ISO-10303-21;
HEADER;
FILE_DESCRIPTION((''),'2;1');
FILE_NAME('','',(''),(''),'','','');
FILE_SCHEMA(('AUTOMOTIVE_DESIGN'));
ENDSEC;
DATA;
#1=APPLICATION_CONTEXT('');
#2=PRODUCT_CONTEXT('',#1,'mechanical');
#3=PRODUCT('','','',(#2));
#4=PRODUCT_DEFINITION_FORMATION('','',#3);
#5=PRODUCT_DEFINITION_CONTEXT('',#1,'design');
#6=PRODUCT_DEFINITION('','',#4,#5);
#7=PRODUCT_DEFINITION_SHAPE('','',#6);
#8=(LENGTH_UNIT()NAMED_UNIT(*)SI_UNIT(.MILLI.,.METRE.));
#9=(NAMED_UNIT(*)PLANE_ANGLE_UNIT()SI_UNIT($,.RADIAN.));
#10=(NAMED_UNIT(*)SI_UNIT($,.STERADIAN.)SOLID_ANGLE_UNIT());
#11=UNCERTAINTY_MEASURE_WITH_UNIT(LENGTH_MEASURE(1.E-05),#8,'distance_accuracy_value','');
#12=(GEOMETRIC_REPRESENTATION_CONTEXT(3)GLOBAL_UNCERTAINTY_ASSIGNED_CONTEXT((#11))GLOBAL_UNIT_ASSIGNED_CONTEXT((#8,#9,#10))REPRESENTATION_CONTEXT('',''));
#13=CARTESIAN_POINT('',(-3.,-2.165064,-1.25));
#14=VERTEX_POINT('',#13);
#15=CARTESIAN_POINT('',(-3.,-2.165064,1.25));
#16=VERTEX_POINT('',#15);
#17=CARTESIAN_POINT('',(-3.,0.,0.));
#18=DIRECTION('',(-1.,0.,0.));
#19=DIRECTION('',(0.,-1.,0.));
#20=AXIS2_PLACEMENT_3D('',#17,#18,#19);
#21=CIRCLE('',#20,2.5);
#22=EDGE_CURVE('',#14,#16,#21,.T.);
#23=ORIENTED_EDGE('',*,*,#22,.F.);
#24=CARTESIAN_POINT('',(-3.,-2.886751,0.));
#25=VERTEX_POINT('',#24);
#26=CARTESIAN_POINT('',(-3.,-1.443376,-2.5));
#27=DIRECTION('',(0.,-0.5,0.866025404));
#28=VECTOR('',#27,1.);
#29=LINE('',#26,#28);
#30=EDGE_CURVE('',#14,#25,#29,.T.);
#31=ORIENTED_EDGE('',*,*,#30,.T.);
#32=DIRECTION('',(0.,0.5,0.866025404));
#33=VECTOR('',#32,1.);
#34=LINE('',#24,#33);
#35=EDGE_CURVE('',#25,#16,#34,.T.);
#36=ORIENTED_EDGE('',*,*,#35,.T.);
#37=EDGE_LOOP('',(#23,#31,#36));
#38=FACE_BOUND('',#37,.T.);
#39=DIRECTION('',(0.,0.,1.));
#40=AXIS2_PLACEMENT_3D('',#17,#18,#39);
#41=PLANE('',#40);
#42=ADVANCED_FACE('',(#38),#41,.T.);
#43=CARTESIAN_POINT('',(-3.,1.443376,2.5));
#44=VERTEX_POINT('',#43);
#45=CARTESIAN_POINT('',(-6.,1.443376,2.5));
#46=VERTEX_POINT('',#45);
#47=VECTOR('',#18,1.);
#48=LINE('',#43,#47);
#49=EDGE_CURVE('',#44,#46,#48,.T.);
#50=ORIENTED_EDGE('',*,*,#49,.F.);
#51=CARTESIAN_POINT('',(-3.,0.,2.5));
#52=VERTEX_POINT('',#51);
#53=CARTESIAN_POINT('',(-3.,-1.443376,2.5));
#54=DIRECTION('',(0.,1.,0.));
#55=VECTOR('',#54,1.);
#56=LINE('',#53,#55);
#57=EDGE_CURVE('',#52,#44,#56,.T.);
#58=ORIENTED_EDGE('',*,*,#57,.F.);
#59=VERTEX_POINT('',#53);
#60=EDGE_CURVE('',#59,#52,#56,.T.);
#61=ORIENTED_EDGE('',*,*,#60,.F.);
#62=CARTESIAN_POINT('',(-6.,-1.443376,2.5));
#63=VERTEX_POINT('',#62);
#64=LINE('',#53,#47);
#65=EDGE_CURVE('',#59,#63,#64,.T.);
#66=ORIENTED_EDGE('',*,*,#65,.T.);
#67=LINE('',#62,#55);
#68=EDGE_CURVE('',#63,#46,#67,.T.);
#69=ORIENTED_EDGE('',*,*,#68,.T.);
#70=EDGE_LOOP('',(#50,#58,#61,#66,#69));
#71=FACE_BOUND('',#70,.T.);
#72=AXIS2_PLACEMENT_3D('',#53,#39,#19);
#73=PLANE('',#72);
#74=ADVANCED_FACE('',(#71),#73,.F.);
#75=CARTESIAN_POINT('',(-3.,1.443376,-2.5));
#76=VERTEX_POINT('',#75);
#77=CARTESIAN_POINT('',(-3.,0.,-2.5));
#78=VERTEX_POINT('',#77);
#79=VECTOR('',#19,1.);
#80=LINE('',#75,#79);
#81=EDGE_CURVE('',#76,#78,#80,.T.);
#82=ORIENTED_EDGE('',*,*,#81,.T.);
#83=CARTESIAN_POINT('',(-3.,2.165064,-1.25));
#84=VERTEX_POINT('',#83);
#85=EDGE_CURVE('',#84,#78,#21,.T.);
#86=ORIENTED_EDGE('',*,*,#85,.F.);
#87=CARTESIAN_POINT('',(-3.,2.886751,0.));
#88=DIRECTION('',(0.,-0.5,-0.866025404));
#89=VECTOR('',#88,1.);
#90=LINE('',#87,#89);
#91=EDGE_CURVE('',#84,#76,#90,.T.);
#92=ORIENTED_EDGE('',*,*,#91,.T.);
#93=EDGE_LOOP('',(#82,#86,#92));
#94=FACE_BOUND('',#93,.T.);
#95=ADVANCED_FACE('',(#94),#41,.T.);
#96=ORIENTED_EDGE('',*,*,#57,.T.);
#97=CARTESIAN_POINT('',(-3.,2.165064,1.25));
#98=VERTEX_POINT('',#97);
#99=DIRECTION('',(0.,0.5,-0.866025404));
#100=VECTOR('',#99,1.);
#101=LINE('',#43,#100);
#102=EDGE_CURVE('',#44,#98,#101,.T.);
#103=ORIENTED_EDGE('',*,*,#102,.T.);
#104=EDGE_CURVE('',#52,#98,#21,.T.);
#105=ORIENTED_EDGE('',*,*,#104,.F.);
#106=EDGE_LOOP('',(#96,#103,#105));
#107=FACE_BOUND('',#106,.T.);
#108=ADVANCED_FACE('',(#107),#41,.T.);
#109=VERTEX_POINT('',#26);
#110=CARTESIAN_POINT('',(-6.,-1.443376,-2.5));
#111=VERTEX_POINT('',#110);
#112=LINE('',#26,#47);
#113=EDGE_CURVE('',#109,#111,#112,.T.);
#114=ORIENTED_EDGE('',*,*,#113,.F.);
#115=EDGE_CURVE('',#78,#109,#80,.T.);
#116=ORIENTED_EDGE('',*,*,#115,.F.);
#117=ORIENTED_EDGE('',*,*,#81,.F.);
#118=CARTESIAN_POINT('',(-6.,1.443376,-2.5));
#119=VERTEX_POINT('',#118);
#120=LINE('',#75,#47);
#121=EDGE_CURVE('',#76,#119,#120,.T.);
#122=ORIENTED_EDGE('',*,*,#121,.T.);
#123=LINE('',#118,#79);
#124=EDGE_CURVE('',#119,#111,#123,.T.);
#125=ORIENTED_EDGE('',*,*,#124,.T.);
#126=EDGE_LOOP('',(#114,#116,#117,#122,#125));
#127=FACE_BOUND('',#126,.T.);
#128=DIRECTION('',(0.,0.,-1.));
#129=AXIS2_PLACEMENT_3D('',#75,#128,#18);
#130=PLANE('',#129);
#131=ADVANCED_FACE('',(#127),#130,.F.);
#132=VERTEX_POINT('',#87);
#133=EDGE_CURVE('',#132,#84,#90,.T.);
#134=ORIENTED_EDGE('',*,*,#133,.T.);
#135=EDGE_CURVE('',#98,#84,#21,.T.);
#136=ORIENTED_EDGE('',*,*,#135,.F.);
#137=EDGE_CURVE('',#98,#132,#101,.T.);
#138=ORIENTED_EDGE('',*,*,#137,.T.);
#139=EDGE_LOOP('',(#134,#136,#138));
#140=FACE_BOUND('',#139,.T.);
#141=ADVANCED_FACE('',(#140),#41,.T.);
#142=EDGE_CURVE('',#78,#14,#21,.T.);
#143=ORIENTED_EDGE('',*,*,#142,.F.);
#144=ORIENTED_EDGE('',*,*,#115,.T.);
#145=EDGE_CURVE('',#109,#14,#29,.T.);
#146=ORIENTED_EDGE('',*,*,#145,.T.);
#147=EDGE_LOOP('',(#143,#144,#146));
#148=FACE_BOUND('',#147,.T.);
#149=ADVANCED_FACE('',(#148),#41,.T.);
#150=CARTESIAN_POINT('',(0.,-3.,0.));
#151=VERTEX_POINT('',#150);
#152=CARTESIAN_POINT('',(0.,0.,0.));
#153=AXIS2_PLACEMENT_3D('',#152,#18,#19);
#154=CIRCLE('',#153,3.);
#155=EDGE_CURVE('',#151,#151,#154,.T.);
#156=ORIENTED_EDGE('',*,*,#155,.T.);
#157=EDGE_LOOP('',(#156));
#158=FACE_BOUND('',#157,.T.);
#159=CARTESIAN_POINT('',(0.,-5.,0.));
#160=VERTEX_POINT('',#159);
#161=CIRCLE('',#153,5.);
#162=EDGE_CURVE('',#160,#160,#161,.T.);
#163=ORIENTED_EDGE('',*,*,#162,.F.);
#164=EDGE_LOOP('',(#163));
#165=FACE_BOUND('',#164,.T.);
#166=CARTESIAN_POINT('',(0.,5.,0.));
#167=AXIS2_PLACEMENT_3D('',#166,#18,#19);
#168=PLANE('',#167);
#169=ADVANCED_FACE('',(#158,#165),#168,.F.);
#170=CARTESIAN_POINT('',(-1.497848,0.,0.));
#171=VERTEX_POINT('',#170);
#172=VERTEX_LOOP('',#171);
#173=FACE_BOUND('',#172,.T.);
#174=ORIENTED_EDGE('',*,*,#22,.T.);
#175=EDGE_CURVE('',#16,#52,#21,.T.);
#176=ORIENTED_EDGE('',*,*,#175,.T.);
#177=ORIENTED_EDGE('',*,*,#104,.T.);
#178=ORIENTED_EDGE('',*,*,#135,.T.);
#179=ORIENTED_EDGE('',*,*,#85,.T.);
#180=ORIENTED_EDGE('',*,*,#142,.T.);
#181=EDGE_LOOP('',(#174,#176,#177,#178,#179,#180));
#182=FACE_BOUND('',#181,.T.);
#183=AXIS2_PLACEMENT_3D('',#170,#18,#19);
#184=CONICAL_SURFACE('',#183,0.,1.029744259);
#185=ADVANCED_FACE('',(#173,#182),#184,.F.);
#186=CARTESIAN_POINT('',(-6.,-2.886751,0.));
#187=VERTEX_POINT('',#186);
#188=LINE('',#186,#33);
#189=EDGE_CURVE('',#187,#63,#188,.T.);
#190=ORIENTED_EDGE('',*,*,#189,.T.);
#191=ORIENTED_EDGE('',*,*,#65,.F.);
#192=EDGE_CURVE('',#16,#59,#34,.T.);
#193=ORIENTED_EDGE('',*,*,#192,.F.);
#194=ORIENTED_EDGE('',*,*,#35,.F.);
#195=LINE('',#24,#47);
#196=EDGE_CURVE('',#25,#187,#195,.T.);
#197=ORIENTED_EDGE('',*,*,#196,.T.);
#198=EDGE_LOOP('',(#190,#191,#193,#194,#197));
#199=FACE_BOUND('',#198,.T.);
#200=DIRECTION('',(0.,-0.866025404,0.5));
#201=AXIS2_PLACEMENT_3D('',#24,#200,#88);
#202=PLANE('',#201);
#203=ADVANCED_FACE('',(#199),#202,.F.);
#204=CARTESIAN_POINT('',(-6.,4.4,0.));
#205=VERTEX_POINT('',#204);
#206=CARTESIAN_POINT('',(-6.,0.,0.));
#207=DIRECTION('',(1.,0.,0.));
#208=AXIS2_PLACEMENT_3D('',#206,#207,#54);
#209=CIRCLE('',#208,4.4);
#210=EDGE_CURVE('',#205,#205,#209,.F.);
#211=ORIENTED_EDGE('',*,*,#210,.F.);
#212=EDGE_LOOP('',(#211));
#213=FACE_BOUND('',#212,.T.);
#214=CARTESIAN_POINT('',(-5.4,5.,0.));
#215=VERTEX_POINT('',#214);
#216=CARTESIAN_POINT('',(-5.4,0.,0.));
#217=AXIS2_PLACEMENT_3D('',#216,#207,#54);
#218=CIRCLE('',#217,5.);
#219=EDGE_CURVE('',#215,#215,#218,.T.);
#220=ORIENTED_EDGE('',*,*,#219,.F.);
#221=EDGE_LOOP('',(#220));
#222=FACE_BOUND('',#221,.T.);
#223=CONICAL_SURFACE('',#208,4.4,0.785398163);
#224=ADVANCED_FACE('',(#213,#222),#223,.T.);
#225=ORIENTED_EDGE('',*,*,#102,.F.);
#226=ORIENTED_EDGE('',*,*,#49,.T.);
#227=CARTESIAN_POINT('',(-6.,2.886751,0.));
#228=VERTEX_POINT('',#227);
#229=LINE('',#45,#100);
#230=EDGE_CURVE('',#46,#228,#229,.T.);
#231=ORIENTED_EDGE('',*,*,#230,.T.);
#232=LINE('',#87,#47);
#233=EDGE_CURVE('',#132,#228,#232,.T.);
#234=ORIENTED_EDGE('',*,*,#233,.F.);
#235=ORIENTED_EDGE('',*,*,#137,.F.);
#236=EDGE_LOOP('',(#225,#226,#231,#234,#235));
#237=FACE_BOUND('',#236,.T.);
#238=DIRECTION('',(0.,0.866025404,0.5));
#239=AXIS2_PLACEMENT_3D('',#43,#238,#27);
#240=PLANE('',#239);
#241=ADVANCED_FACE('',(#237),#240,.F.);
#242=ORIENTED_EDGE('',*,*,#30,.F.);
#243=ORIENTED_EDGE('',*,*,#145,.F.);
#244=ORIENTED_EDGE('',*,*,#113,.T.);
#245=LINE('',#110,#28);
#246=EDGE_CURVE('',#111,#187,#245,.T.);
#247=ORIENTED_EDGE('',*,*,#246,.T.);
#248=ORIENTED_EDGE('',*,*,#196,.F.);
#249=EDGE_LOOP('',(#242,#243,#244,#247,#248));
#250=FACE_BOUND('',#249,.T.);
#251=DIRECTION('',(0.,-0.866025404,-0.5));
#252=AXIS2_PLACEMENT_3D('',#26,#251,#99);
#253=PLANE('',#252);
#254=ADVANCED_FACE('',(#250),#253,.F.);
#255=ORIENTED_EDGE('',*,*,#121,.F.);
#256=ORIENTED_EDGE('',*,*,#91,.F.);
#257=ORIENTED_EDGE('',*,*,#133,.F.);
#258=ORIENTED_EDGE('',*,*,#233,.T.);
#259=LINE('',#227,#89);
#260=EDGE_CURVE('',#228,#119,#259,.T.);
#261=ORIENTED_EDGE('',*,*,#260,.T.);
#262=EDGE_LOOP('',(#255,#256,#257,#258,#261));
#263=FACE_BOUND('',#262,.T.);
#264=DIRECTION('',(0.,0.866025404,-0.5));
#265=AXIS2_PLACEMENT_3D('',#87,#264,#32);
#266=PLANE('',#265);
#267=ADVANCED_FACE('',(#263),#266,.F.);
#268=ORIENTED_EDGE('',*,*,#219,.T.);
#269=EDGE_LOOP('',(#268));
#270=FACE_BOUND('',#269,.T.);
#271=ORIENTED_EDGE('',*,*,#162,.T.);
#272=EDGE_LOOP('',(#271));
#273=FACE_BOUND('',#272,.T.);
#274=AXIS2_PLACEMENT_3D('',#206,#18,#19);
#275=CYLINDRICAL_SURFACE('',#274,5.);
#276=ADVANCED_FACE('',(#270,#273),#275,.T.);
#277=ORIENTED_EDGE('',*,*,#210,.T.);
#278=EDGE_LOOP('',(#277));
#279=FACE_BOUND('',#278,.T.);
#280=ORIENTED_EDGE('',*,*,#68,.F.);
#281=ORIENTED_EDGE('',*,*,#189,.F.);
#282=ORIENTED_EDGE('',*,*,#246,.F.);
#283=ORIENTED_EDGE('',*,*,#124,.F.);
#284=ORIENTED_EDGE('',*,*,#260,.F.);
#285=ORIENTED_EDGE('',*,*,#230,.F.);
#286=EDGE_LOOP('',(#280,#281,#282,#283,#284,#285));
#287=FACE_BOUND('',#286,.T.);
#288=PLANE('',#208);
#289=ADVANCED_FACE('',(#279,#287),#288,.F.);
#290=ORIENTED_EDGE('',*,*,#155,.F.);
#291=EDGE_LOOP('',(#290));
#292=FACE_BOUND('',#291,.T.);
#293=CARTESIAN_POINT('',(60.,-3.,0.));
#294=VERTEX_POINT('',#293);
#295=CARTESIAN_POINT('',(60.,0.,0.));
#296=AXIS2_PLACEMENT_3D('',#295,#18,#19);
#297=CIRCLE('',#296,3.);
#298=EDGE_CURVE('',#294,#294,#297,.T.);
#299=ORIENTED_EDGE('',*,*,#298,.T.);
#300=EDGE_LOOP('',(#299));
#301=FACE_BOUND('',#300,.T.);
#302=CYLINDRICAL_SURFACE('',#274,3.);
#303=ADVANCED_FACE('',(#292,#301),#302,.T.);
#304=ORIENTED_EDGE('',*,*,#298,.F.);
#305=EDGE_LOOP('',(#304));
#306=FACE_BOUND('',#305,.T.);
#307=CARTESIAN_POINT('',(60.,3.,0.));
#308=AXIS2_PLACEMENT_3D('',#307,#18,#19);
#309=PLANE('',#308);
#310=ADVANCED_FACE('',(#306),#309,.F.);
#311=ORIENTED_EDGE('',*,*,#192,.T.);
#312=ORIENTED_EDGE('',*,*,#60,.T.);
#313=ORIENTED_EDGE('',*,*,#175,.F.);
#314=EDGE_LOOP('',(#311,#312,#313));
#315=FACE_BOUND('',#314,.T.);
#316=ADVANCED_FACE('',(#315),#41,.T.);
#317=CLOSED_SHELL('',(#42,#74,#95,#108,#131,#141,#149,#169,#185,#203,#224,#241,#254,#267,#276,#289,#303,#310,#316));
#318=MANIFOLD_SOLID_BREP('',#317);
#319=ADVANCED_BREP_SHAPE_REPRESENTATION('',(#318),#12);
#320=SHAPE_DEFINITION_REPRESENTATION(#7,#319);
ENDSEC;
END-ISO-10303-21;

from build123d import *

# Parameters (mm, degrees)
CHAMFER1_SIZE      = 0.6
CUT_EXTRUDE1_DEPTH = 3


with BuildPart() as part:
    # Sketch1 → Revolve1 (revolve)
    with BuildSketch(Plane.XY, mode=Mode.PRIVATE) as revolve1_sk:
        Polygon((-6, 0), (-6, 5), (0, 5), (0, 3), (60, 3), (60, 0), align=None)
    revolve(revolve1_sk.sketch.rotate(Axis((-6, 0, 0), (1, 0, 0)), 180), axis=Axis((-6, 0, 0), (1, 0, 0)))

    # Chamfer1
    chamfer1_edges = [part.edges().sort_by_distance(p)[0] for p in [
        (-6, 5, 0),
    ]]
    chamfer(chamfer1_edges, length=CHAMFER1_SIZE)

    # Sketch2 → Cut-Revolve1 (revolve, cut)
    with BuildSketch(Plane.XY, mode=Mode.PRIVATE) as cut_revolve1_sk:
        Polygon((-1.497848452, 0), (-3, 2.5), (-6, 2.5), (-6, 0), align=None)
    revolve(cut_revolve1_sk.sketch.rotate(Axis((-6, 0, 0), (1, 0, 0)), 180), axis=Axis((-6, 0, 0), (1, 0, 0)), mode=Mode.SUBTRACT)

    # Sketch3 → Cut-Extrude1 (cut)
    with BuildSketch(Plane.ZY.offset(6)):
        Polygon((0, 2.886751346), (-2.5, 1.443375673), (-2.5, -1.443375673), (0, -2.886751346), (2.5, -1.443375673), (2.5, 1.443375673), align=None)
    extrude(amount=-CUT_EXTRUDE1_DEPTH, mode=Mode.SUBTRACT)


solid = part.part
